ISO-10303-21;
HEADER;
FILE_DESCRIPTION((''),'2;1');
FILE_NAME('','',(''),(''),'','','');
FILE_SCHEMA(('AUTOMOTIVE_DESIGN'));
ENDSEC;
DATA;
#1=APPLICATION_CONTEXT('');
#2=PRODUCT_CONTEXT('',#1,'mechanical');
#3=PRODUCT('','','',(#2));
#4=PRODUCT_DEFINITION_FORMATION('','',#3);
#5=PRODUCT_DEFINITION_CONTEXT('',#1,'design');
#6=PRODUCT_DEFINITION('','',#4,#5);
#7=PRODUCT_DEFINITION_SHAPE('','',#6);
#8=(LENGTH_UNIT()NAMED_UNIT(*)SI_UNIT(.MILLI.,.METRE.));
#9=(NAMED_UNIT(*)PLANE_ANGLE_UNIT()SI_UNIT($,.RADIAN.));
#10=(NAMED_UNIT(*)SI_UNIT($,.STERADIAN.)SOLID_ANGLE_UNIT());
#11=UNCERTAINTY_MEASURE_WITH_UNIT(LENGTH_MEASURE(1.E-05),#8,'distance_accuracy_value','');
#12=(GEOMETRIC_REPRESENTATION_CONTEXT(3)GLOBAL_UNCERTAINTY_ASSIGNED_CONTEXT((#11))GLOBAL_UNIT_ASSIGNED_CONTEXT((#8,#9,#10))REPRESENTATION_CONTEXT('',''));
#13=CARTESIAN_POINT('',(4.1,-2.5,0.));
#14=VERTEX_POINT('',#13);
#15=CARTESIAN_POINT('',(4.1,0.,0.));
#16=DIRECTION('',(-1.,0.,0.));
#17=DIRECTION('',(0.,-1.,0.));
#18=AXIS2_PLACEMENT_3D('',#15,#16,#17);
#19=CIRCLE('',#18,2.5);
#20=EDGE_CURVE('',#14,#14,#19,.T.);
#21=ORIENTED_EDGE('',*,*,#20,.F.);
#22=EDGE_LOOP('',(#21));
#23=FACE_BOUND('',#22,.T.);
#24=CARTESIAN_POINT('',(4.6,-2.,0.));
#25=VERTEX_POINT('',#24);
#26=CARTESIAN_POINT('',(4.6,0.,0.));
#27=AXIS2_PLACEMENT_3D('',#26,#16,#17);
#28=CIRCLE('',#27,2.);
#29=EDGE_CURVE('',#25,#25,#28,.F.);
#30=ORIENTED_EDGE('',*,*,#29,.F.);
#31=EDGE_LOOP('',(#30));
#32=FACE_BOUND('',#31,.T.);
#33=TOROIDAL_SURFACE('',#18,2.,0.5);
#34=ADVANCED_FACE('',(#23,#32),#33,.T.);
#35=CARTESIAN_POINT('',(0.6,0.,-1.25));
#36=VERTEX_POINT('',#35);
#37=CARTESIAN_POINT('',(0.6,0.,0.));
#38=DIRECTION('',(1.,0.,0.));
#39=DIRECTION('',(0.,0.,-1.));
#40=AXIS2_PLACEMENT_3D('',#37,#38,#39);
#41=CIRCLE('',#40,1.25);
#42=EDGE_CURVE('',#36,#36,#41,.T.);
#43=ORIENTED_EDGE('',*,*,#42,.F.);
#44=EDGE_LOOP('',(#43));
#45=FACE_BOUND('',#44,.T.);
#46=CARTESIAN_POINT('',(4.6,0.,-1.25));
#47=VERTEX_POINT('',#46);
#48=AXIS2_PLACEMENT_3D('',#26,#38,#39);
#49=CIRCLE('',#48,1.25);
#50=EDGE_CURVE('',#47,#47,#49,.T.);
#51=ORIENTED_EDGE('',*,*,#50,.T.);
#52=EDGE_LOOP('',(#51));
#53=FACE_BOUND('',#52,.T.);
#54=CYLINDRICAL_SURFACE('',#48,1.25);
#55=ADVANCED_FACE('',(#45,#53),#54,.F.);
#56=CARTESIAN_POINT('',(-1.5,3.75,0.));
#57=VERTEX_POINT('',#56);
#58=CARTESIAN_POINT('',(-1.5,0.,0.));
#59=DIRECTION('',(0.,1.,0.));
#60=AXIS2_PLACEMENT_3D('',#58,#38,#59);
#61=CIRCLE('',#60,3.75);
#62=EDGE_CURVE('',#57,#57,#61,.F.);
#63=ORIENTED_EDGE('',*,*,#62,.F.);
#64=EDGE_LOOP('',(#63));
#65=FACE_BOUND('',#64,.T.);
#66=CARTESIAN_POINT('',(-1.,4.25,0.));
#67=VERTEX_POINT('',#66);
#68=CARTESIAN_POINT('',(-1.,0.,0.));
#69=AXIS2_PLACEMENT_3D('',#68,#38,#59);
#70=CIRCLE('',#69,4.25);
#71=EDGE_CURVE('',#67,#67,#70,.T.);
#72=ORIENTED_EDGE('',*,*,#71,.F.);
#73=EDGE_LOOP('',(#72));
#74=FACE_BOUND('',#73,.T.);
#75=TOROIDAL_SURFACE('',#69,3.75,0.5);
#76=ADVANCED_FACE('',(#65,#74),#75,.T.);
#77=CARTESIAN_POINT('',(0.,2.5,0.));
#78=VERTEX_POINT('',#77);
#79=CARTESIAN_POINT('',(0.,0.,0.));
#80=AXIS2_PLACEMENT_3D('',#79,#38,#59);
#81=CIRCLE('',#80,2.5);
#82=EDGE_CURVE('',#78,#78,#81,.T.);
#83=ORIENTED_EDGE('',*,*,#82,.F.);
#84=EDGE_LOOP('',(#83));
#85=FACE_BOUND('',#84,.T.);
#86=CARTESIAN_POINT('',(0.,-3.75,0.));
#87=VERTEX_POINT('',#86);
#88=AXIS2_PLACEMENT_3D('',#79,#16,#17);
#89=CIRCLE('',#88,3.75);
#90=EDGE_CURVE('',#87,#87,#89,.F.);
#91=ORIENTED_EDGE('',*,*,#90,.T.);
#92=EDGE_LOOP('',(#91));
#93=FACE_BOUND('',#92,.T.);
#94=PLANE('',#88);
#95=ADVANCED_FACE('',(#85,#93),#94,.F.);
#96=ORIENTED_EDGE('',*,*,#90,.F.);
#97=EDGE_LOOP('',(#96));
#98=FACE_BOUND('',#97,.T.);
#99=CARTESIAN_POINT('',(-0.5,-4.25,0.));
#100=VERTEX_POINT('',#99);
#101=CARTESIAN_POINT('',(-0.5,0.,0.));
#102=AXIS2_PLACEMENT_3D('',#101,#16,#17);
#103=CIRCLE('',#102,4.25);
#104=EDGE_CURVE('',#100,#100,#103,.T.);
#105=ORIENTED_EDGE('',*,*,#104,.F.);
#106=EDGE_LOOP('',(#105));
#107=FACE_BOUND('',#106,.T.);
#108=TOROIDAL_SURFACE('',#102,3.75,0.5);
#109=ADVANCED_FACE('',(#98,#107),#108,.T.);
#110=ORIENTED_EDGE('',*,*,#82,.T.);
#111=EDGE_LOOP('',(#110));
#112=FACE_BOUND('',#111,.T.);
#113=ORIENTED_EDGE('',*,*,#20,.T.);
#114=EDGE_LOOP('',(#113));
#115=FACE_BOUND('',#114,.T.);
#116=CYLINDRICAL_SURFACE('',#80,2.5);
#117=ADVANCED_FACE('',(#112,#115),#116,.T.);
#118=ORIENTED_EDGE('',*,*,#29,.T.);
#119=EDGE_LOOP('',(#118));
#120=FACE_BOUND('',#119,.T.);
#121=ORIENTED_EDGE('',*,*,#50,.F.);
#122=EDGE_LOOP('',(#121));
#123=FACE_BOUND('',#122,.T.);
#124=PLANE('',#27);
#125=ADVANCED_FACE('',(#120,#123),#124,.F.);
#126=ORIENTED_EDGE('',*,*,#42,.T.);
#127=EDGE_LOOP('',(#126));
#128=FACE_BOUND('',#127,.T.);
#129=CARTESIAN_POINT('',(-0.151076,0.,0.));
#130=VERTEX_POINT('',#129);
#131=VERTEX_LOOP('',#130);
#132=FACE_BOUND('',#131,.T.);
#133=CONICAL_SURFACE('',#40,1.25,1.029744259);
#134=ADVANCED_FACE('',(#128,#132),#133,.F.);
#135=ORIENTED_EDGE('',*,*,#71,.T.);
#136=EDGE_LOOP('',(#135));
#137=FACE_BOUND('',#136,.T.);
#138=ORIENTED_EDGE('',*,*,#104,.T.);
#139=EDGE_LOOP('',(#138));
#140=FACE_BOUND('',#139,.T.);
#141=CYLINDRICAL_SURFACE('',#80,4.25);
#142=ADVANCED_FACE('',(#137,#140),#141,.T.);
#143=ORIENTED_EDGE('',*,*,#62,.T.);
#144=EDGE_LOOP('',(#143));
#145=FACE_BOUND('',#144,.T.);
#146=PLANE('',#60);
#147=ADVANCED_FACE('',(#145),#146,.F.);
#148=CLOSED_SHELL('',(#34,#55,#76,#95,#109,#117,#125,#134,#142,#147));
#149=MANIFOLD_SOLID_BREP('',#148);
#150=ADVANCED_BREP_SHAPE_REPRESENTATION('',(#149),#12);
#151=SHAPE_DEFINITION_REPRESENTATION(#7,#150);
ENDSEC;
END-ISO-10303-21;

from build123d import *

# Parameters (mm, degrees)
SKETCH_1_W             = 1.5
SKETCH_1_H             = 4.25
SKETCH_1_W_2           = 4.6
SKETCH_1_H_2           = 2.5
FILLET_1_R             = 0.5
HOLE_WIZARD_M3_1_D     = 2.5
HOLE_WIZARD_M3_1_DEPTH = 4
HOLE_WIZARD_M3_1_TIP   = 0.751075774


with BuildPart() as part:
    # 草图1 → 旋转1 (revolve)
    with BuildSketch(Plane.XY):
        with Locations((-0.75, 2.125)):
            Rectangle(SKETCH_1_W, SKETCH_1_H)
        with Locations((2.3, 1.25)):
            Rectangle(SKETCH_1_W_2, SKETCH_1_H_2)
    revolve(axis=Axis((0, 0, 0), (-1, 0, 0)))

    # 圆角1
    fillet_1_edges = [part.edges().sort_by_distance(p)[0] for p in [
        (4.6, -2.5, 0),
        (-1.5, -4.25, 0),
        (0, -4.25, 0),
    ]]
    fillet(fillet_1_edges, radius=FILLET_1_R)

    # M3 螺纹孔1
    with Locations(Plane(origin=(4.6, 0, 0), x_dir=(0, 0, -1), z_dir=(1, 0, 0))):
        with Locations((0, 0)):
            Hole(HOLE_WIZARD_M3_1_D / 2, depth=HOLE_WIZARD_M3_1_DEPTH)
            with Locations((0, 0, -(HOLE_WIZARD_M3_1_DEPTH + HOLE_WIZARD_M3_1_TIP / 2))):  # 118° drill point
                Cone(0, HOLE_WIZARD_M3_1_D / 2, HOLE_WIZARD_M3_1_TIP, mode=Mode.SUBTRACT)


solid = part.part
